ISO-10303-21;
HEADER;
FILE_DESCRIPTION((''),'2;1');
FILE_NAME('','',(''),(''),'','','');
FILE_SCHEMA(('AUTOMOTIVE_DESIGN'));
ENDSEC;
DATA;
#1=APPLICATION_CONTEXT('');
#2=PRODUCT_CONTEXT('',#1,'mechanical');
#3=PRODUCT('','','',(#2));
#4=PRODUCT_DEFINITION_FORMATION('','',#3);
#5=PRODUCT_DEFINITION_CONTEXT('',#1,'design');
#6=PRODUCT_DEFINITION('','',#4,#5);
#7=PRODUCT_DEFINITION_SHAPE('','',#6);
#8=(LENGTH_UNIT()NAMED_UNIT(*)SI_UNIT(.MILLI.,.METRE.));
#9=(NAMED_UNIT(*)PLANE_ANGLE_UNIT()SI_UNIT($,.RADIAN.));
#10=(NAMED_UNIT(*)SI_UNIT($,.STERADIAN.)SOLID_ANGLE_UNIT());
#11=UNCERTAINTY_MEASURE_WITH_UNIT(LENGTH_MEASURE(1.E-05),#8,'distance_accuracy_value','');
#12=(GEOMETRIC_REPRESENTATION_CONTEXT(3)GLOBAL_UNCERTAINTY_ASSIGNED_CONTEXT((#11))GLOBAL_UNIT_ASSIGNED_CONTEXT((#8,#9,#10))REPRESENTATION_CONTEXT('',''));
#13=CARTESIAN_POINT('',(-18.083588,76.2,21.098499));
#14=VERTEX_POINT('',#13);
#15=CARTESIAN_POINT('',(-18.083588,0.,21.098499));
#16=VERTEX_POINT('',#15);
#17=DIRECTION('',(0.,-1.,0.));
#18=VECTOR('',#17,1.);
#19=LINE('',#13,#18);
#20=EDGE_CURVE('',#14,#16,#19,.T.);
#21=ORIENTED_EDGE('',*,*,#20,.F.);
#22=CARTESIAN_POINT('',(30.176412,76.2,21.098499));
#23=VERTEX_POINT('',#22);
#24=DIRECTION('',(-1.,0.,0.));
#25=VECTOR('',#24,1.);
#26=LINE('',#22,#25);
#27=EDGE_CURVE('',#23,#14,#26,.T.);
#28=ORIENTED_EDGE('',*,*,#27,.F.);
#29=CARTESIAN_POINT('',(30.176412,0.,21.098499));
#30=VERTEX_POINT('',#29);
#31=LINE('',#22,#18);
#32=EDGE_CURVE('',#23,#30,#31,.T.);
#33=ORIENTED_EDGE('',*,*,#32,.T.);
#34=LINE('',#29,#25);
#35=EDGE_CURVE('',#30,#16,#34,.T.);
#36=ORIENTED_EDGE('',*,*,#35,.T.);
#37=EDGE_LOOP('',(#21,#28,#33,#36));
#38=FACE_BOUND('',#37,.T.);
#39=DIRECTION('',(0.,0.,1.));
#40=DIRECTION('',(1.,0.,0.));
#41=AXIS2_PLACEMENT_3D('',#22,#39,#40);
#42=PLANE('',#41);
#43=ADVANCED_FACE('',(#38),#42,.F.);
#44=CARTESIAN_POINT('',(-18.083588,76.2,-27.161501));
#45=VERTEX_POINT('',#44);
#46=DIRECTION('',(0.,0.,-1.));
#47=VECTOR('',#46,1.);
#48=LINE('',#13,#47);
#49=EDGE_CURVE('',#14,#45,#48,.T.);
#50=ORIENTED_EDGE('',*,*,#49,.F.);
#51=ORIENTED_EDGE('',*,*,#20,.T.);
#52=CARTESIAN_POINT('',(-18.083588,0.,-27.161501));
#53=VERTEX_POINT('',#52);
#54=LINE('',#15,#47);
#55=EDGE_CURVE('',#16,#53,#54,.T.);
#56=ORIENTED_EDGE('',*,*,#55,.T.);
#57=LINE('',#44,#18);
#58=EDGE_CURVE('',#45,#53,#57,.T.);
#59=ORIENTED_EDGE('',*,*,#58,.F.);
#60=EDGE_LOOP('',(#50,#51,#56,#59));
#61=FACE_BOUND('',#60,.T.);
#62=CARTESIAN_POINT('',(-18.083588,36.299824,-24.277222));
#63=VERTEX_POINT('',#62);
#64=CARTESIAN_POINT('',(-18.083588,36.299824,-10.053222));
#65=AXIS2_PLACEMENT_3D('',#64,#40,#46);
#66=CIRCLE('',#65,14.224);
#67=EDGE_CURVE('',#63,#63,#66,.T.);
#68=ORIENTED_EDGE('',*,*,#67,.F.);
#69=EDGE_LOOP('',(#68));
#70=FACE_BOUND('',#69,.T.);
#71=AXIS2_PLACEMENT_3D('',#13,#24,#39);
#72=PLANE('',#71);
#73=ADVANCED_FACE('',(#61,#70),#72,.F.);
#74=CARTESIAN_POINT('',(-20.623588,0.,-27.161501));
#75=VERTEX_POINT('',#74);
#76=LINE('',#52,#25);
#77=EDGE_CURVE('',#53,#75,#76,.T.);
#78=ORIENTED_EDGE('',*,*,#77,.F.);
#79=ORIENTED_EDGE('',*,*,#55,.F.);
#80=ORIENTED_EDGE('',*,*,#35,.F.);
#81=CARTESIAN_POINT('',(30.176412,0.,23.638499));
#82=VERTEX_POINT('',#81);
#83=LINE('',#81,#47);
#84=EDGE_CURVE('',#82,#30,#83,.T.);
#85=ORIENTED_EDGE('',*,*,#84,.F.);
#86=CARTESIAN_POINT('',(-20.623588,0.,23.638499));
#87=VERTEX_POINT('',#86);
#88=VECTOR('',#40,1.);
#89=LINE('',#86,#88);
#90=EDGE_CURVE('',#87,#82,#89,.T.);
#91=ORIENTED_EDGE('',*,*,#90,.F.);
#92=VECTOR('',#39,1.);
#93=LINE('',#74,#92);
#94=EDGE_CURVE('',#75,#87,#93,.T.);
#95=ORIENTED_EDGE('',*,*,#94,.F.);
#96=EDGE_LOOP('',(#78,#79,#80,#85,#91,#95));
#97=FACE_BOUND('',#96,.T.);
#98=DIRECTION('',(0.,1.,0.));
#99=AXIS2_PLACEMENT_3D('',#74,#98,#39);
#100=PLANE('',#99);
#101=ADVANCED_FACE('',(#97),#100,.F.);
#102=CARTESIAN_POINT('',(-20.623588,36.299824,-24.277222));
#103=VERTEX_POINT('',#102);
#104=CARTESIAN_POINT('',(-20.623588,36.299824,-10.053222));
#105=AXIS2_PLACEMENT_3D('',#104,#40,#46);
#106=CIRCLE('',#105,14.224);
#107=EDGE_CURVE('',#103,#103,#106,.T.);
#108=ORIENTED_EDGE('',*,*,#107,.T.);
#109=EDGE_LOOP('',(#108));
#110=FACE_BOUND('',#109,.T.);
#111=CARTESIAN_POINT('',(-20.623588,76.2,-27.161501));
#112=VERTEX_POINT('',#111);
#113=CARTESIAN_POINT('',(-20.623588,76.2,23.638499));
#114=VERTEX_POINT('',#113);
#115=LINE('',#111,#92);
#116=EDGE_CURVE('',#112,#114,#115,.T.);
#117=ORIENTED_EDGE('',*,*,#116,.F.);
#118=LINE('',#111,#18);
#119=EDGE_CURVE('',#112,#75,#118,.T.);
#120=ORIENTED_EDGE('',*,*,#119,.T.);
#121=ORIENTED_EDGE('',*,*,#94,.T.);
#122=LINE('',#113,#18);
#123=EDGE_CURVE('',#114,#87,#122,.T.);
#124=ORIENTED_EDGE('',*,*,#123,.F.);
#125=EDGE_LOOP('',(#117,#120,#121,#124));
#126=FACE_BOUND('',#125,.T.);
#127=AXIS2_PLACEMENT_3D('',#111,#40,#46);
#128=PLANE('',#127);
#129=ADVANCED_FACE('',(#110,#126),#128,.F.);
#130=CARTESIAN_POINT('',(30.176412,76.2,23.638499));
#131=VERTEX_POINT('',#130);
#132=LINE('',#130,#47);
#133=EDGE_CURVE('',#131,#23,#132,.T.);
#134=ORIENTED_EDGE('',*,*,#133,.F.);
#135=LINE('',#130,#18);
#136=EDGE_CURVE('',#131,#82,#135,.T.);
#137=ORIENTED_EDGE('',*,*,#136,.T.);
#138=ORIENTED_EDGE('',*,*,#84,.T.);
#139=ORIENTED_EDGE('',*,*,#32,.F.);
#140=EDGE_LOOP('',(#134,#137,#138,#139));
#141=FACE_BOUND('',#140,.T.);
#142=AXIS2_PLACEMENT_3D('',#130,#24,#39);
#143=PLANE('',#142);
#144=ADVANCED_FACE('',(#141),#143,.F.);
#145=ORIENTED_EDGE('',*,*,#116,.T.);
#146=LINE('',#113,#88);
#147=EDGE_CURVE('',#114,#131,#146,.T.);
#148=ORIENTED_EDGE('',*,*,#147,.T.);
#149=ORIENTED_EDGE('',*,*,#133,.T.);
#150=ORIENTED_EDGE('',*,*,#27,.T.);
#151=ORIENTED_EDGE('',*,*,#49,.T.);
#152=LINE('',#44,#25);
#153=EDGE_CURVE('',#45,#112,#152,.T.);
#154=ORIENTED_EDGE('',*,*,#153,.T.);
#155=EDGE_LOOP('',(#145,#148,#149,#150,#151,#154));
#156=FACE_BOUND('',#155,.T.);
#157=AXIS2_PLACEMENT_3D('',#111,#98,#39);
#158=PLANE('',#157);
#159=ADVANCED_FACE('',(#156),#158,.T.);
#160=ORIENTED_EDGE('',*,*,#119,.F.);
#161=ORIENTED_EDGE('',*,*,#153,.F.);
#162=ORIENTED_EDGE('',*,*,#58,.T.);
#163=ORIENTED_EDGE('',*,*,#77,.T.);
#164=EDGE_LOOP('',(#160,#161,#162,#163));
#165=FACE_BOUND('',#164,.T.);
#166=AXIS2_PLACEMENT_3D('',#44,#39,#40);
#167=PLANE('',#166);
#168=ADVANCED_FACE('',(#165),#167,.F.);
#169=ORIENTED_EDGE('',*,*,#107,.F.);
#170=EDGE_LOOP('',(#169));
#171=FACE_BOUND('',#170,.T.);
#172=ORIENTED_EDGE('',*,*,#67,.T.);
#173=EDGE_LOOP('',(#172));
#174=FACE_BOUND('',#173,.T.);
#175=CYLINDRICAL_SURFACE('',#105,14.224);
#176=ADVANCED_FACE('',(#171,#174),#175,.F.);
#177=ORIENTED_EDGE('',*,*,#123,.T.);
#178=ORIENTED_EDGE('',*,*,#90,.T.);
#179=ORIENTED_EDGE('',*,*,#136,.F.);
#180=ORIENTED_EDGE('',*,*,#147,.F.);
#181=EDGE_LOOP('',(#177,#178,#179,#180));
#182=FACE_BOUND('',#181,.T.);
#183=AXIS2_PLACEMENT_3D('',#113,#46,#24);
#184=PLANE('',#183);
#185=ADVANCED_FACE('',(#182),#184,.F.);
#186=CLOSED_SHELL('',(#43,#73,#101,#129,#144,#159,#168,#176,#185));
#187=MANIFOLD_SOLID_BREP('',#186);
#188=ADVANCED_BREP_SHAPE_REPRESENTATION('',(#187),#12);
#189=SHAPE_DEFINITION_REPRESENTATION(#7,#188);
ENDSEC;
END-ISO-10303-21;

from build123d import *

# Parameters (mm, degrees)
EXTRUDE1_DEPTH = 76.2
SKETCH3_R      = 14.224
EXTRUDE3_DEPTH = 95.19774279


with BuildPart() as part:
    # Sketch1 → Extrude1 (new body)
    with BuildSketch(Plane(origin=(0, 0, 0), x_dir=(1, 0, 0), z_dir=(0, 1, 0))):
        Polygon((-20.623588442, 27.161501186), (-20.623588442, -23.638498814), (30.176411558, -23.638498814), (30.176411558, -21.098498814), (-18.083588442, -21.098498814), (-18.083588442, 27.161501186), align=None)
    extrude(amount=EXTRUDE1_DEPTH)

    # Sketch3 → Extrude3 (cut, through all)
    with BuildSketch(Plane(origin=(-18.083588442, 0, 0), x_dir=(0, 0, -1), z_dir=(1, 0, 0))):
        with Locations((10.05322198, 36.299823775)):
            Circle(SKETCH3_R)
    extrude(amount=-EXTRUDE3_DEPTH, mode=Mode.SUBTRACT)


solid = part.part
